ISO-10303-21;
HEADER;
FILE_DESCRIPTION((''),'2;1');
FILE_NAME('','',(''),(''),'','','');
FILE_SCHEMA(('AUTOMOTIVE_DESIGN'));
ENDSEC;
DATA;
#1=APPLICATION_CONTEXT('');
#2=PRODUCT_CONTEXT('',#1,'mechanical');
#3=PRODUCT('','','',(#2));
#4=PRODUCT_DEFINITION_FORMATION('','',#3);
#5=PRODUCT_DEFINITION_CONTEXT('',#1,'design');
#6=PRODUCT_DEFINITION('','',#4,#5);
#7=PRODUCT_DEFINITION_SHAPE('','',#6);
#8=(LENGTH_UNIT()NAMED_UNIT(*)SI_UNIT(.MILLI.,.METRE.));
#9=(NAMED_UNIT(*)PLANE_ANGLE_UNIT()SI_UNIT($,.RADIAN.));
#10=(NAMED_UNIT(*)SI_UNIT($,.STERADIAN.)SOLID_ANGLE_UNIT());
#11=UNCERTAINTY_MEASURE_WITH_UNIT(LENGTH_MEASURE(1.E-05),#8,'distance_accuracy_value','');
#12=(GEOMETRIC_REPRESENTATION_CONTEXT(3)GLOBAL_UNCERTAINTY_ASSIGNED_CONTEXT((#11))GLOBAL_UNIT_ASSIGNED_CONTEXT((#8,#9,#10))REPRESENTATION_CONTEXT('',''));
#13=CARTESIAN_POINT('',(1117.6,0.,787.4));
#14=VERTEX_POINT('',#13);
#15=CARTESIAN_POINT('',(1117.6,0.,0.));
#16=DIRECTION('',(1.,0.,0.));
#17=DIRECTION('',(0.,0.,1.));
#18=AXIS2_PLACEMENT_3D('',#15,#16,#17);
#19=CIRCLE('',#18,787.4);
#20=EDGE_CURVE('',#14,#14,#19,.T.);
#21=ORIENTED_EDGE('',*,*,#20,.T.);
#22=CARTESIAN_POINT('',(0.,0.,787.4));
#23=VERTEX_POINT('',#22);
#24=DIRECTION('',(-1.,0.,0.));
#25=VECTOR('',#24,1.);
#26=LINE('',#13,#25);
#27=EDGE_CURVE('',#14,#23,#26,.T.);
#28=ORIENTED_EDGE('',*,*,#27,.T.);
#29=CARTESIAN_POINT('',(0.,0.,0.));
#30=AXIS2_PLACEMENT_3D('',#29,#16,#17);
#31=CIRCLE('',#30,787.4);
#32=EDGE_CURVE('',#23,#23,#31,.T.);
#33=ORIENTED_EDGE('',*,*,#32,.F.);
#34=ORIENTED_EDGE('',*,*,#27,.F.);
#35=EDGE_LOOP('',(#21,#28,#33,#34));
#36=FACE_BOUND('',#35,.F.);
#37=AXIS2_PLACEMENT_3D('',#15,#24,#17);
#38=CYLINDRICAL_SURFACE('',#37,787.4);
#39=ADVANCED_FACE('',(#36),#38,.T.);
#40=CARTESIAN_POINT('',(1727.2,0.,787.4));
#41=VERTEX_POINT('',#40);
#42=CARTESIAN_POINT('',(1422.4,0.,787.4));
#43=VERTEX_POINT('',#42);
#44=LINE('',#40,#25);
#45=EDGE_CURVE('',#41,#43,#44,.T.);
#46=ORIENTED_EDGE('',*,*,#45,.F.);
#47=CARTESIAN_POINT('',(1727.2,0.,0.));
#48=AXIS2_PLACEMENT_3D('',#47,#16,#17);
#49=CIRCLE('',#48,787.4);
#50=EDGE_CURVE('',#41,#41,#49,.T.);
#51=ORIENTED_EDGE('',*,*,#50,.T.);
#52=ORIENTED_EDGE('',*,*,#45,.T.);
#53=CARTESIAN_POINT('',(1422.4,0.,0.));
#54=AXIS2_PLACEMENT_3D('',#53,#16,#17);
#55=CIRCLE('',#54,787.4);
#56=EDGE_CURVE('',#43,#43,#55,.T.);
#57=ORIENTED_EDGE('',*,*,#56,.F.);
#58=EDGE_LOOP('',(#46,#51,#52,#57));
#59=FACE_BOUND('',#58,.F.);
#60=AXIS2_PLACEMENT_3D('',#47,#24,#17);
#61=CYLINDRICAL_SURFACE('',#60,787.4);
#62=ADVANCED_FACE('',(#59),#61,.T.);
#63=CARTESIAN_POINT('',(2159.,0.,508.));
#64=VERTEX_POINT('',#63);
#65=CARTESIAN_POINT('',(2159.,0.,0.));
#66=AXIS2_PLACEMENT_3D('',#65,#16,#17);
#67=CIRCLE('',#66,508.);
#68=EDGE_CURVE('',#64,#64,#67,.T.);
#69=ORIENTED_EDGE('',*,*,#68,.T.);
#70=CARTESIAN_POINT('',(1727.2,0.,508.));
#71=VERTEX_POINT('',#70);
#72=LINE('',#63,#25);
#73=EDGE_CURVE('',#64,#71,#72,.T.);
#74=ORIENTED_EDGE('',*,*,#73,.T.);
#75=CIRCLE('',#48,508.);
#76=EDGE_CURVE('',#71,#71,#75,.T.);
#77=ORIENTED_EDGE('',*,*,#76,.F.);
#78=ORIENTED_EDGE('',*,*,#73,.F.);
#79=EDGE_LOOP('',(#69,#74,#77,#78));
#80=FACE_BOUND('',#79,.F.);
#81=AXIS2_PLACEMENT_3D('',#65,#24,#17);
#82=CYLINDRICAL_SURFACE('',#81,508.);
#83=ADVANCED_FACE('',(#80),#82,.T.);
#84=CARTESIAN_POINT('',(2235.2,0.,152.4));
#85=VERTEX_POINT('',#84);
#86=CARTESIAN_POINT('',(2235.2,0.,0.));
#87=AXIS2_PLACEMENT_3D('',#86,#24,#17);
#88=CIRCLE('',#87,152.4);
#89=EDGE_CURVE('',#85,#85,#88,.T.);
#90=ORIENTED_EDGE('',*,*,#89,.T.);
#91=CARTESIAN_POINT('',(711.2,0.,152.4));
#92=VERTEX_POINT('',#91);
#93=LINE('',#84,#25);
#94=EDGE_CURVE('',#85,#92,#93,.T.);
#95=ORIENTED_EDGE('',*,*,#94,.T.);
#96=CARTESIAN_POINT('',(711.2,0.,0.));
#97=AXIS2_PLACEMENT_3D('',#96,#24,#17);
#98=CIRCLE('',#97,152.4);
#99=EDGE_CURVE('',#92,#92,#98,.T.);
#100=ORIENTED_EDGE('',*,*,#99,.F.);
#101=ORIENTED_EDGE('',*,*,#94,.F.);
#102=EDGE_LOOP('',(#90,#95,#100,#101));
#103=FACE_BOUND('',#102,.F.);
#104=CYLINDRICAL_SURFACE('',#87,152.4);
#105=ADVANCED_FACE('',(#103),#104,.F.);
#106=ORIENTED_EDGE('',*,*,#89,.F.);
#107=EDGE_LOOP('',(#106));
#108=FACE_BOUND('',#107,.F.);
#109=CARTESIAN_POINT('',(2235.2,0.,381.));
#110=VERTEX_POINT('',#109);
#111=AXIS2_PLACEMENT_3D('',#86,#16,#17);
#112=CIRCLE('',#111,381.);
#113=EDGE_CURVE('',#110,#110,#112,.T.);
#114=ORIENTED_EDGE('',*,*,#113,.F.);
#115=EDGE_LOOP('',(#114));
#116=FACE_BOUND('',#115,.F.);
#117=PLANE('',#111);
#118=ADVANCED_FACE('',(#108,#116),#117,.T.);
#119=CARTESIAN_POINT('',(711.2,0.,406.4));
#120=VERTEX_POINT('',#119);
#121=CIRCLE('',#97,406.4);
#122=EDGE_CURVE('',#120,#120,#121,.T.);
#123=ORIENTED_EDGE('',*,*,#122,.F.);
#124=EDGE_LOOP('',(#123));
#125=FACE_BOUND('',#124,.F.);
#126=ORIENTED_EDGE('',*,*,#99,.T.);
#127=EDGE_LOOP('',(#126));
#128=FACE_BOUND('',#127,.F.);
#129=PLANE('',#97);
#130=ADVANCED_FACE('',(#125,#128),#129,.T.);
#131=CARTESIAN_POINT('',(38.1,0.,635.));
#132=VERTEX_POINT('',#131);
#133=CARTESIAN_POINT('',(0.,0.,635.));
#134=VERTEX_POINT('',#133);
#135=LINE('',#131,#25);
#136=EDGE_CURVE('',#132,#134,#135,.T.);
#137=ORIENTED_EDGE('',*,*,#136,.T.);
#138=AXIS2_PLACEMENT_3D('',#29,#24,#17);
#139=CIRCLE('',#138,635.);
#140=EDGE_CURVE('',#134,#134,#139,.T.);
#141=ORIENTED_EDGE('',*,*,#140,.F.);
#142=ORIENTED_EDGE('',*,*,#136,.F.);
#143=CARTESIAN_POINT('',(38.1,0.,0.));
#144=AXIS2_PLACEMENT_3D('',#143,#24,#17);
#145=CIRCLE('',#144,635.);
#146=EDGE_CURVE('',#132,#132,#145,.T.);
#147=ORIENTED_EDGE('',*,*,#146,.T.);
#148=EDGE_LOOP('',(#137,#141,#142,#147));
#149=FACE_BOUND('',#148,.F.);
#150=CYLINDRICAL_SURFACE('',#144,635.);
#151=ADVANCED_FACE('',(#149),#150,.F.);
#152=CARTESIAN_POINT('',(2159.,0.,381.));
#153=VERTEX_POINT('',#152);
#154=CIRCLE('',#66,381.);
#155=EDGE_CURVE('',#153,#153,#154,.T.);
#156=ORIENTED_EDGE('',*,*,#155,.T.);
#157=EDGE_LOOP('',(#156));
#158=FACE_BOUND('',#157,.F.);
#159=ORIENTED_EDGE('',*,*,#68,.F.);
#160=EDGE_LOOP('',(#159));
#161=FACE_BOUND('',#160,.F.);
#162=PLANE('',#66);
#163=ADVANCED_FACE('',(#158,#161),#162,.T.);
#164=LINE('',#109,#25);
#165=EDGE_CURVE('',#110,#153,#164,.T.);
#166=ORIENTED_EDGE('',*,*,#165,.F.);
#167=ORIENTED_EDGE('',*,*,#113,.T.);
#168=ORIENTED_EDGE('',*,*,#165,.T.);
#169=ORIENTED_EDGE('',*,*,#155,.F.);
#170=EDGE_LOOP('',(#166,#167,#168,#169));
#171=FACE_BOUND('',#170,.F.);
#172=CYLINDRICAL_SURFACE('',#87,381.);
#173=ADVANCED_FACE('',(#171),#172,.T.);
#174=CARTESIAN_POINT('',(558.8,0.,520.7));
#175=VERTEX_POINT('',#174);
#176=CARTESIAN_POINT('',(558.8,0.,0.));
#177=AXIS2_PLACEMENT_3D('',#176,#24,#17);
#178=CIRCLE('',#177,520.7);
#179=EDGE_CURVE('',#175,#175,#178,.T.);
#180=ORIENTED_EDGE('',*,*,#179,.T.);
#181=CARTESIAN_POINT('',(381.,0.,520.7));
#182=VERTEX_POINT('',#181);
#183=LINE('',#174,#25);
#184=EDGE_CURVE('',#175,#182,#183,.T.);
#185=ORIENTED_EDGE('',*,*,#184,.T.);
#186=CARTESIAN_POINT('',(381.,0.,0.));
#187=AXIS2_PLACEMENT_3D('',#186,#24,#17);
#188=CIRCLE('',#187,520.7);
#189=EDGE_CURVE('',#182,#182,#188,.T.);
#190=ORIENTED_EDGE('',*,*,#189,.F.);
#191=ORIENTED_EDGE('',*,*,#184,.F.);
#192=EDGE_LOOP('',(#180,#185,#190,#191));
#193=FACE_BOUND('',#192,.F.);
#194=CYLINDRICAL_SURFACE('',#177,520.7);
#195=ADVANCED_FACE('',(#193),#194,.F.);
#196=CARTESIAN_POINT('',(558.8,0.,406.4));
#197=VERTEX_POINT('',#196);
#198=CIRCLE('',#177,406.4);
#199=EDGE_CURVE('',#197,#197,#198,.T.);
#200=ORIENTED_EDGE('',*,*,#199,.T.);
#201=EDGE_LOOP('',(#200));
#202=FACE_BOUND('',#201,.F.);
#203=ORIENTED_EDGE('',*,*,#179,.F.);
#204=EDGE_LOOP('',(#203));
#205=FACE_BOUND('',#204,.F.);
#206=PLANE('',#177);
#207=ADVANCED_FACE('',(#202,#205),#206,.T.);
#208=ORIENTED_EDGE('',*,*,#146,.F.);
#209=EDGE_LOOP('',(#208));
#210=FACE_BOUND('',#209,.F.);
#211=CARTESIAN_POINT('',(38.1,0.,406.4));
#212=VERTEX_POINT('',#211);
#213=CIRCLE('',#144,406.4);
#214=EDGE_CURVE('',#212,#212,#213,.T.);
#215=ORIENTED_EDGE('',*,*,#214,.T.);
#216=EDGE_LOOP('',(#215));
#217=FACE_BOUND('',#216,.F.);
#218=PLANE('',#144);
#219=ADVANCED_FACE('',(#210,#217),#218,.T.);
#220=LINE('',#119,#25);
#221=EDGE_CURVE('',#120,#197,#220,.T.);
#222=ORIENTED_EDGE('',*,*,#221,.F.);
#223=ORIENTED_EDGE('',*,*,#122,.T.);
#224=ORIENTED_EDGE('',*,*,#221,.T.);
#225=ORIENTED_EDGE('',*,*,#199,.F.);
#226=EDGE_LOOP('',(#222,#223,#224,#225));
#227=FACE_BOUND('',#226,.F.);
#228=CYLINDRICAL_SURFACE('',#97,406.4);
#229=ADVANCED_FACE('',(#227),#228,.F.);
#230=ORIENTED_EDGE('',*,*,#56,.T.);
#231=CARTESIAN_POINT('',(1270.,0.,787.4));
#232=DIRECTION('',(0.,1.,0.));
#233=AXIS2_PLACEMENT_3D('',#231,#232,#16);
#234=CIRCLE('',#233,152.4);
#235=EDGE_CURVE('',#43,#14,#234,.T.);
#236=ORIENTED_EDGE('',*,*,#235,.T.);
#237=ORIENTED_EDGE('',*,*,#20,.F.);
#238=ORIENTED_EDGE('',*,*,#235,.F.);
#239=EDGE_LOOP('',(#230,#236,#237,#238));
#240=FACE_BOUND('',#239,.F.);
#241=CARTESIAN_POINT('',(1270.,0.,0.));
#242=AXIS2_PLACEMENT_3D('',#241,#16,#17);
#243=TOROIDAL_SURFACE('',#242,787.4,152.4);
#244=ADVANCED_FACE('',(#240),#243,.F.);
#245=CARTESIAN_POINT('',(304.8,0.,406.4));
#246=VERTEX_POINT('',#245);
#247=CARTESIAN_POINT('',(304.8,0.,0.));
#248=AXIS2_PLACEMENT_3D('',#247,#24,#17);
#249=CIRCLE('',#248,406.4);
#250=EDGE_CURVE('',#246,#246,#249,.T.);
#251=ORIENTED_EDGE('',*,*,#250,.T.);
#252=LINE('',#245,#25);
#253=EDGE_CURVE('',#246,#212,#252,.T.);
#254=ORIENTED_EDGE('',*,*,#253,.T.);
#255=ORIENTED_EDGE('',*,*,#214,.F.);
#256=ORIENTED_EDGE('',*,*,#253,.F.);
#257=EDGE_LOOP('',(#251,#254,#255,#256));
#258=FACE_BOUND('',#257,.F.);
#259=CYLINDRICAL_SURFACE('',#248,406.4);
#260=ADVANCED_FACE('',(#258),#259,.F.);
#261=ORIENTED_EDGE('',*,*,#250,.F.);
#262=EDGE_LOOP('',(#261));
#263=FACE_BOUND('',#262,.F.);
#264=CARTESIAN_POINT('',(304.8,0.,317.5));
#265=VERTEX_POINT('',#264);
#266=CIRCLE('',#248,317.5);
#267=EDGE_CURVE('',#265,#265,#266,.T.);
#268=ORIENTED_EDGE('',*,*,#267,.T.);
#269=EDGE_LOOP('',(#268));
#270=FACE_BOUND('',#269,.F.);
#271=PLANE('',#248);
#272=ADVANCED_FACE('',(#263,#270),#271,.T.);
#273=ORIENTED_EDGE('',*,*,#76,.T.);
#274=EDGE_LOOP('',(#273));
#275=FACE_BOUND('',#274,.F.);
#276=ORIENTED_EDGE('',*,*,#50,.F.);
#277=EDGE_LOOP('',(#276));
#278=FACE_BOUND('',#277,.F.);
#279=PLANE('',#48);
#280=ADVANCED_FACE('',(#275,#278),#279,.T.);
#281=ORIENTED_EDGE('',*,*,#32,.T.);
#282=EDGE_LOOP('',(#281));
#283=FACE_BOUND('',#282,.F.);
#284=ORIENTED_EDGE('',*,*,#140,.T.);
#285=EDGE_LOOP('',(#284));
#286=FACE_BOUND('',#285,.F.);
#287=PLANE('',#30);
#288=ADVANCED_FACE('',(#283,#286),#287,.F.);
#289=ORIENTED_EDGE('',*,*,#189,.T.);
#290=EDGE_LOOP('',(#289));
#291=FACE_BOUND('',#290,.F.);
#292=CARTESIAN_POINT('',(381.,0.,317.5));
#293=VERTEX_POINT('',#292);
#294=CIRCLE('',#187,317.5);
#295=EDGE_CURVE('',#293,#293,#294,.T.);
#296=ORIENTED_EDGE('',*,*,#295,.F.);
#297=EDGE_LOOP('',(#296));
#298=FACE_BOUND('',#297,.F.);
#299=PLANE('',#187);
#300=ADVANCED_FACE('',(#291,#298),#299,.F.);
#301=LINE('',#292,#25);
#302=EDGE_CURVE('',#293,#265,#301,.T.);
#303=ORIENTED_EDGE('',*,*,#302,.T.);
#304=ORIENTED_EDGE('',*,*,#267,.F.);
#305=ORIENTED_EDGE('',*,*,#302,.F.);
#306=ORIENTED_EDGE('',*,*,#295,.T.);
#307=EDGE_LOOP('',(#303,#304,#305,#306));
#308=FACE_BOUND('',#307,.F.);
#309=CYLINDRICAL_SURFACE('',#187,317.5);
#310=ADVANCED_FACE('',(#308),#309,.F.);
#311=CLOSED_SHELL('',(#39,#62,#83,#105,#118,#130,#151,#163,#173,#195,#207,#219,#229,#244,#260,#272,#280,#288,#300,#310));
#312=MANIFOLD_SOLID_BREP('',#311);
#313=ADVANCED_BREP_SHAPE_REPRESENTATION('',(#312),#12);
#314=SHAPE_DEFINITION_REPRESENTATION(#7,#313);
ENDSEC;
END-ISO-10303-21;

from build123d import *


with BuildPart() as f1:
    # F0 (on Front) → F1 (revolve)
    with BuildSketch(Plane.XZ):
        with BuildLine():
            Line((0, 787.4), (0, 0))
            Line((0, 0), (2235.2, 0))
            Line((2235.2, 0), (2235.2, 381))
            Line((2235.2, 381), (2159, 381))
            Line((2159, 381), (2159, 508))
            Line((2159, 508), (1727.2, 508))
            Line((1727.2, 508), (1727.2, 787.4))
            Line((1727.2, 787.4), (1422.4, 787.4))
            ThreePointArc((1422.4, 787.4), (1270, 635), (1117.6, 787.4))
            Line((1117.6, 787.4), (0, 787.4))
        make_face()
    revolve(axis=Axis((1417.530537, 0, 0), (1, 0, 0)))

    # F2 (on Front) → F3 (revolve, cut)
    with BuildSketch(Plane.XZ):
        Polygon((38.1, 635), (0, 635), (0, 0), (2235.2, 0), (2235.2, 152.4), (711.2, 152.4), (711.2, 406.4), (558.8, 406.4), (558.8, 520.7), (381, 520.7), (381, 317.5), (304.8, 317.5), (304.8, 406.4), (38.1, 406.4), align=None)
    revolve(axis=Axis((-223.787082, 0, 0), (-1, 0, 0)), mode=Mode.SUBTRACT)


solid = f1.part
